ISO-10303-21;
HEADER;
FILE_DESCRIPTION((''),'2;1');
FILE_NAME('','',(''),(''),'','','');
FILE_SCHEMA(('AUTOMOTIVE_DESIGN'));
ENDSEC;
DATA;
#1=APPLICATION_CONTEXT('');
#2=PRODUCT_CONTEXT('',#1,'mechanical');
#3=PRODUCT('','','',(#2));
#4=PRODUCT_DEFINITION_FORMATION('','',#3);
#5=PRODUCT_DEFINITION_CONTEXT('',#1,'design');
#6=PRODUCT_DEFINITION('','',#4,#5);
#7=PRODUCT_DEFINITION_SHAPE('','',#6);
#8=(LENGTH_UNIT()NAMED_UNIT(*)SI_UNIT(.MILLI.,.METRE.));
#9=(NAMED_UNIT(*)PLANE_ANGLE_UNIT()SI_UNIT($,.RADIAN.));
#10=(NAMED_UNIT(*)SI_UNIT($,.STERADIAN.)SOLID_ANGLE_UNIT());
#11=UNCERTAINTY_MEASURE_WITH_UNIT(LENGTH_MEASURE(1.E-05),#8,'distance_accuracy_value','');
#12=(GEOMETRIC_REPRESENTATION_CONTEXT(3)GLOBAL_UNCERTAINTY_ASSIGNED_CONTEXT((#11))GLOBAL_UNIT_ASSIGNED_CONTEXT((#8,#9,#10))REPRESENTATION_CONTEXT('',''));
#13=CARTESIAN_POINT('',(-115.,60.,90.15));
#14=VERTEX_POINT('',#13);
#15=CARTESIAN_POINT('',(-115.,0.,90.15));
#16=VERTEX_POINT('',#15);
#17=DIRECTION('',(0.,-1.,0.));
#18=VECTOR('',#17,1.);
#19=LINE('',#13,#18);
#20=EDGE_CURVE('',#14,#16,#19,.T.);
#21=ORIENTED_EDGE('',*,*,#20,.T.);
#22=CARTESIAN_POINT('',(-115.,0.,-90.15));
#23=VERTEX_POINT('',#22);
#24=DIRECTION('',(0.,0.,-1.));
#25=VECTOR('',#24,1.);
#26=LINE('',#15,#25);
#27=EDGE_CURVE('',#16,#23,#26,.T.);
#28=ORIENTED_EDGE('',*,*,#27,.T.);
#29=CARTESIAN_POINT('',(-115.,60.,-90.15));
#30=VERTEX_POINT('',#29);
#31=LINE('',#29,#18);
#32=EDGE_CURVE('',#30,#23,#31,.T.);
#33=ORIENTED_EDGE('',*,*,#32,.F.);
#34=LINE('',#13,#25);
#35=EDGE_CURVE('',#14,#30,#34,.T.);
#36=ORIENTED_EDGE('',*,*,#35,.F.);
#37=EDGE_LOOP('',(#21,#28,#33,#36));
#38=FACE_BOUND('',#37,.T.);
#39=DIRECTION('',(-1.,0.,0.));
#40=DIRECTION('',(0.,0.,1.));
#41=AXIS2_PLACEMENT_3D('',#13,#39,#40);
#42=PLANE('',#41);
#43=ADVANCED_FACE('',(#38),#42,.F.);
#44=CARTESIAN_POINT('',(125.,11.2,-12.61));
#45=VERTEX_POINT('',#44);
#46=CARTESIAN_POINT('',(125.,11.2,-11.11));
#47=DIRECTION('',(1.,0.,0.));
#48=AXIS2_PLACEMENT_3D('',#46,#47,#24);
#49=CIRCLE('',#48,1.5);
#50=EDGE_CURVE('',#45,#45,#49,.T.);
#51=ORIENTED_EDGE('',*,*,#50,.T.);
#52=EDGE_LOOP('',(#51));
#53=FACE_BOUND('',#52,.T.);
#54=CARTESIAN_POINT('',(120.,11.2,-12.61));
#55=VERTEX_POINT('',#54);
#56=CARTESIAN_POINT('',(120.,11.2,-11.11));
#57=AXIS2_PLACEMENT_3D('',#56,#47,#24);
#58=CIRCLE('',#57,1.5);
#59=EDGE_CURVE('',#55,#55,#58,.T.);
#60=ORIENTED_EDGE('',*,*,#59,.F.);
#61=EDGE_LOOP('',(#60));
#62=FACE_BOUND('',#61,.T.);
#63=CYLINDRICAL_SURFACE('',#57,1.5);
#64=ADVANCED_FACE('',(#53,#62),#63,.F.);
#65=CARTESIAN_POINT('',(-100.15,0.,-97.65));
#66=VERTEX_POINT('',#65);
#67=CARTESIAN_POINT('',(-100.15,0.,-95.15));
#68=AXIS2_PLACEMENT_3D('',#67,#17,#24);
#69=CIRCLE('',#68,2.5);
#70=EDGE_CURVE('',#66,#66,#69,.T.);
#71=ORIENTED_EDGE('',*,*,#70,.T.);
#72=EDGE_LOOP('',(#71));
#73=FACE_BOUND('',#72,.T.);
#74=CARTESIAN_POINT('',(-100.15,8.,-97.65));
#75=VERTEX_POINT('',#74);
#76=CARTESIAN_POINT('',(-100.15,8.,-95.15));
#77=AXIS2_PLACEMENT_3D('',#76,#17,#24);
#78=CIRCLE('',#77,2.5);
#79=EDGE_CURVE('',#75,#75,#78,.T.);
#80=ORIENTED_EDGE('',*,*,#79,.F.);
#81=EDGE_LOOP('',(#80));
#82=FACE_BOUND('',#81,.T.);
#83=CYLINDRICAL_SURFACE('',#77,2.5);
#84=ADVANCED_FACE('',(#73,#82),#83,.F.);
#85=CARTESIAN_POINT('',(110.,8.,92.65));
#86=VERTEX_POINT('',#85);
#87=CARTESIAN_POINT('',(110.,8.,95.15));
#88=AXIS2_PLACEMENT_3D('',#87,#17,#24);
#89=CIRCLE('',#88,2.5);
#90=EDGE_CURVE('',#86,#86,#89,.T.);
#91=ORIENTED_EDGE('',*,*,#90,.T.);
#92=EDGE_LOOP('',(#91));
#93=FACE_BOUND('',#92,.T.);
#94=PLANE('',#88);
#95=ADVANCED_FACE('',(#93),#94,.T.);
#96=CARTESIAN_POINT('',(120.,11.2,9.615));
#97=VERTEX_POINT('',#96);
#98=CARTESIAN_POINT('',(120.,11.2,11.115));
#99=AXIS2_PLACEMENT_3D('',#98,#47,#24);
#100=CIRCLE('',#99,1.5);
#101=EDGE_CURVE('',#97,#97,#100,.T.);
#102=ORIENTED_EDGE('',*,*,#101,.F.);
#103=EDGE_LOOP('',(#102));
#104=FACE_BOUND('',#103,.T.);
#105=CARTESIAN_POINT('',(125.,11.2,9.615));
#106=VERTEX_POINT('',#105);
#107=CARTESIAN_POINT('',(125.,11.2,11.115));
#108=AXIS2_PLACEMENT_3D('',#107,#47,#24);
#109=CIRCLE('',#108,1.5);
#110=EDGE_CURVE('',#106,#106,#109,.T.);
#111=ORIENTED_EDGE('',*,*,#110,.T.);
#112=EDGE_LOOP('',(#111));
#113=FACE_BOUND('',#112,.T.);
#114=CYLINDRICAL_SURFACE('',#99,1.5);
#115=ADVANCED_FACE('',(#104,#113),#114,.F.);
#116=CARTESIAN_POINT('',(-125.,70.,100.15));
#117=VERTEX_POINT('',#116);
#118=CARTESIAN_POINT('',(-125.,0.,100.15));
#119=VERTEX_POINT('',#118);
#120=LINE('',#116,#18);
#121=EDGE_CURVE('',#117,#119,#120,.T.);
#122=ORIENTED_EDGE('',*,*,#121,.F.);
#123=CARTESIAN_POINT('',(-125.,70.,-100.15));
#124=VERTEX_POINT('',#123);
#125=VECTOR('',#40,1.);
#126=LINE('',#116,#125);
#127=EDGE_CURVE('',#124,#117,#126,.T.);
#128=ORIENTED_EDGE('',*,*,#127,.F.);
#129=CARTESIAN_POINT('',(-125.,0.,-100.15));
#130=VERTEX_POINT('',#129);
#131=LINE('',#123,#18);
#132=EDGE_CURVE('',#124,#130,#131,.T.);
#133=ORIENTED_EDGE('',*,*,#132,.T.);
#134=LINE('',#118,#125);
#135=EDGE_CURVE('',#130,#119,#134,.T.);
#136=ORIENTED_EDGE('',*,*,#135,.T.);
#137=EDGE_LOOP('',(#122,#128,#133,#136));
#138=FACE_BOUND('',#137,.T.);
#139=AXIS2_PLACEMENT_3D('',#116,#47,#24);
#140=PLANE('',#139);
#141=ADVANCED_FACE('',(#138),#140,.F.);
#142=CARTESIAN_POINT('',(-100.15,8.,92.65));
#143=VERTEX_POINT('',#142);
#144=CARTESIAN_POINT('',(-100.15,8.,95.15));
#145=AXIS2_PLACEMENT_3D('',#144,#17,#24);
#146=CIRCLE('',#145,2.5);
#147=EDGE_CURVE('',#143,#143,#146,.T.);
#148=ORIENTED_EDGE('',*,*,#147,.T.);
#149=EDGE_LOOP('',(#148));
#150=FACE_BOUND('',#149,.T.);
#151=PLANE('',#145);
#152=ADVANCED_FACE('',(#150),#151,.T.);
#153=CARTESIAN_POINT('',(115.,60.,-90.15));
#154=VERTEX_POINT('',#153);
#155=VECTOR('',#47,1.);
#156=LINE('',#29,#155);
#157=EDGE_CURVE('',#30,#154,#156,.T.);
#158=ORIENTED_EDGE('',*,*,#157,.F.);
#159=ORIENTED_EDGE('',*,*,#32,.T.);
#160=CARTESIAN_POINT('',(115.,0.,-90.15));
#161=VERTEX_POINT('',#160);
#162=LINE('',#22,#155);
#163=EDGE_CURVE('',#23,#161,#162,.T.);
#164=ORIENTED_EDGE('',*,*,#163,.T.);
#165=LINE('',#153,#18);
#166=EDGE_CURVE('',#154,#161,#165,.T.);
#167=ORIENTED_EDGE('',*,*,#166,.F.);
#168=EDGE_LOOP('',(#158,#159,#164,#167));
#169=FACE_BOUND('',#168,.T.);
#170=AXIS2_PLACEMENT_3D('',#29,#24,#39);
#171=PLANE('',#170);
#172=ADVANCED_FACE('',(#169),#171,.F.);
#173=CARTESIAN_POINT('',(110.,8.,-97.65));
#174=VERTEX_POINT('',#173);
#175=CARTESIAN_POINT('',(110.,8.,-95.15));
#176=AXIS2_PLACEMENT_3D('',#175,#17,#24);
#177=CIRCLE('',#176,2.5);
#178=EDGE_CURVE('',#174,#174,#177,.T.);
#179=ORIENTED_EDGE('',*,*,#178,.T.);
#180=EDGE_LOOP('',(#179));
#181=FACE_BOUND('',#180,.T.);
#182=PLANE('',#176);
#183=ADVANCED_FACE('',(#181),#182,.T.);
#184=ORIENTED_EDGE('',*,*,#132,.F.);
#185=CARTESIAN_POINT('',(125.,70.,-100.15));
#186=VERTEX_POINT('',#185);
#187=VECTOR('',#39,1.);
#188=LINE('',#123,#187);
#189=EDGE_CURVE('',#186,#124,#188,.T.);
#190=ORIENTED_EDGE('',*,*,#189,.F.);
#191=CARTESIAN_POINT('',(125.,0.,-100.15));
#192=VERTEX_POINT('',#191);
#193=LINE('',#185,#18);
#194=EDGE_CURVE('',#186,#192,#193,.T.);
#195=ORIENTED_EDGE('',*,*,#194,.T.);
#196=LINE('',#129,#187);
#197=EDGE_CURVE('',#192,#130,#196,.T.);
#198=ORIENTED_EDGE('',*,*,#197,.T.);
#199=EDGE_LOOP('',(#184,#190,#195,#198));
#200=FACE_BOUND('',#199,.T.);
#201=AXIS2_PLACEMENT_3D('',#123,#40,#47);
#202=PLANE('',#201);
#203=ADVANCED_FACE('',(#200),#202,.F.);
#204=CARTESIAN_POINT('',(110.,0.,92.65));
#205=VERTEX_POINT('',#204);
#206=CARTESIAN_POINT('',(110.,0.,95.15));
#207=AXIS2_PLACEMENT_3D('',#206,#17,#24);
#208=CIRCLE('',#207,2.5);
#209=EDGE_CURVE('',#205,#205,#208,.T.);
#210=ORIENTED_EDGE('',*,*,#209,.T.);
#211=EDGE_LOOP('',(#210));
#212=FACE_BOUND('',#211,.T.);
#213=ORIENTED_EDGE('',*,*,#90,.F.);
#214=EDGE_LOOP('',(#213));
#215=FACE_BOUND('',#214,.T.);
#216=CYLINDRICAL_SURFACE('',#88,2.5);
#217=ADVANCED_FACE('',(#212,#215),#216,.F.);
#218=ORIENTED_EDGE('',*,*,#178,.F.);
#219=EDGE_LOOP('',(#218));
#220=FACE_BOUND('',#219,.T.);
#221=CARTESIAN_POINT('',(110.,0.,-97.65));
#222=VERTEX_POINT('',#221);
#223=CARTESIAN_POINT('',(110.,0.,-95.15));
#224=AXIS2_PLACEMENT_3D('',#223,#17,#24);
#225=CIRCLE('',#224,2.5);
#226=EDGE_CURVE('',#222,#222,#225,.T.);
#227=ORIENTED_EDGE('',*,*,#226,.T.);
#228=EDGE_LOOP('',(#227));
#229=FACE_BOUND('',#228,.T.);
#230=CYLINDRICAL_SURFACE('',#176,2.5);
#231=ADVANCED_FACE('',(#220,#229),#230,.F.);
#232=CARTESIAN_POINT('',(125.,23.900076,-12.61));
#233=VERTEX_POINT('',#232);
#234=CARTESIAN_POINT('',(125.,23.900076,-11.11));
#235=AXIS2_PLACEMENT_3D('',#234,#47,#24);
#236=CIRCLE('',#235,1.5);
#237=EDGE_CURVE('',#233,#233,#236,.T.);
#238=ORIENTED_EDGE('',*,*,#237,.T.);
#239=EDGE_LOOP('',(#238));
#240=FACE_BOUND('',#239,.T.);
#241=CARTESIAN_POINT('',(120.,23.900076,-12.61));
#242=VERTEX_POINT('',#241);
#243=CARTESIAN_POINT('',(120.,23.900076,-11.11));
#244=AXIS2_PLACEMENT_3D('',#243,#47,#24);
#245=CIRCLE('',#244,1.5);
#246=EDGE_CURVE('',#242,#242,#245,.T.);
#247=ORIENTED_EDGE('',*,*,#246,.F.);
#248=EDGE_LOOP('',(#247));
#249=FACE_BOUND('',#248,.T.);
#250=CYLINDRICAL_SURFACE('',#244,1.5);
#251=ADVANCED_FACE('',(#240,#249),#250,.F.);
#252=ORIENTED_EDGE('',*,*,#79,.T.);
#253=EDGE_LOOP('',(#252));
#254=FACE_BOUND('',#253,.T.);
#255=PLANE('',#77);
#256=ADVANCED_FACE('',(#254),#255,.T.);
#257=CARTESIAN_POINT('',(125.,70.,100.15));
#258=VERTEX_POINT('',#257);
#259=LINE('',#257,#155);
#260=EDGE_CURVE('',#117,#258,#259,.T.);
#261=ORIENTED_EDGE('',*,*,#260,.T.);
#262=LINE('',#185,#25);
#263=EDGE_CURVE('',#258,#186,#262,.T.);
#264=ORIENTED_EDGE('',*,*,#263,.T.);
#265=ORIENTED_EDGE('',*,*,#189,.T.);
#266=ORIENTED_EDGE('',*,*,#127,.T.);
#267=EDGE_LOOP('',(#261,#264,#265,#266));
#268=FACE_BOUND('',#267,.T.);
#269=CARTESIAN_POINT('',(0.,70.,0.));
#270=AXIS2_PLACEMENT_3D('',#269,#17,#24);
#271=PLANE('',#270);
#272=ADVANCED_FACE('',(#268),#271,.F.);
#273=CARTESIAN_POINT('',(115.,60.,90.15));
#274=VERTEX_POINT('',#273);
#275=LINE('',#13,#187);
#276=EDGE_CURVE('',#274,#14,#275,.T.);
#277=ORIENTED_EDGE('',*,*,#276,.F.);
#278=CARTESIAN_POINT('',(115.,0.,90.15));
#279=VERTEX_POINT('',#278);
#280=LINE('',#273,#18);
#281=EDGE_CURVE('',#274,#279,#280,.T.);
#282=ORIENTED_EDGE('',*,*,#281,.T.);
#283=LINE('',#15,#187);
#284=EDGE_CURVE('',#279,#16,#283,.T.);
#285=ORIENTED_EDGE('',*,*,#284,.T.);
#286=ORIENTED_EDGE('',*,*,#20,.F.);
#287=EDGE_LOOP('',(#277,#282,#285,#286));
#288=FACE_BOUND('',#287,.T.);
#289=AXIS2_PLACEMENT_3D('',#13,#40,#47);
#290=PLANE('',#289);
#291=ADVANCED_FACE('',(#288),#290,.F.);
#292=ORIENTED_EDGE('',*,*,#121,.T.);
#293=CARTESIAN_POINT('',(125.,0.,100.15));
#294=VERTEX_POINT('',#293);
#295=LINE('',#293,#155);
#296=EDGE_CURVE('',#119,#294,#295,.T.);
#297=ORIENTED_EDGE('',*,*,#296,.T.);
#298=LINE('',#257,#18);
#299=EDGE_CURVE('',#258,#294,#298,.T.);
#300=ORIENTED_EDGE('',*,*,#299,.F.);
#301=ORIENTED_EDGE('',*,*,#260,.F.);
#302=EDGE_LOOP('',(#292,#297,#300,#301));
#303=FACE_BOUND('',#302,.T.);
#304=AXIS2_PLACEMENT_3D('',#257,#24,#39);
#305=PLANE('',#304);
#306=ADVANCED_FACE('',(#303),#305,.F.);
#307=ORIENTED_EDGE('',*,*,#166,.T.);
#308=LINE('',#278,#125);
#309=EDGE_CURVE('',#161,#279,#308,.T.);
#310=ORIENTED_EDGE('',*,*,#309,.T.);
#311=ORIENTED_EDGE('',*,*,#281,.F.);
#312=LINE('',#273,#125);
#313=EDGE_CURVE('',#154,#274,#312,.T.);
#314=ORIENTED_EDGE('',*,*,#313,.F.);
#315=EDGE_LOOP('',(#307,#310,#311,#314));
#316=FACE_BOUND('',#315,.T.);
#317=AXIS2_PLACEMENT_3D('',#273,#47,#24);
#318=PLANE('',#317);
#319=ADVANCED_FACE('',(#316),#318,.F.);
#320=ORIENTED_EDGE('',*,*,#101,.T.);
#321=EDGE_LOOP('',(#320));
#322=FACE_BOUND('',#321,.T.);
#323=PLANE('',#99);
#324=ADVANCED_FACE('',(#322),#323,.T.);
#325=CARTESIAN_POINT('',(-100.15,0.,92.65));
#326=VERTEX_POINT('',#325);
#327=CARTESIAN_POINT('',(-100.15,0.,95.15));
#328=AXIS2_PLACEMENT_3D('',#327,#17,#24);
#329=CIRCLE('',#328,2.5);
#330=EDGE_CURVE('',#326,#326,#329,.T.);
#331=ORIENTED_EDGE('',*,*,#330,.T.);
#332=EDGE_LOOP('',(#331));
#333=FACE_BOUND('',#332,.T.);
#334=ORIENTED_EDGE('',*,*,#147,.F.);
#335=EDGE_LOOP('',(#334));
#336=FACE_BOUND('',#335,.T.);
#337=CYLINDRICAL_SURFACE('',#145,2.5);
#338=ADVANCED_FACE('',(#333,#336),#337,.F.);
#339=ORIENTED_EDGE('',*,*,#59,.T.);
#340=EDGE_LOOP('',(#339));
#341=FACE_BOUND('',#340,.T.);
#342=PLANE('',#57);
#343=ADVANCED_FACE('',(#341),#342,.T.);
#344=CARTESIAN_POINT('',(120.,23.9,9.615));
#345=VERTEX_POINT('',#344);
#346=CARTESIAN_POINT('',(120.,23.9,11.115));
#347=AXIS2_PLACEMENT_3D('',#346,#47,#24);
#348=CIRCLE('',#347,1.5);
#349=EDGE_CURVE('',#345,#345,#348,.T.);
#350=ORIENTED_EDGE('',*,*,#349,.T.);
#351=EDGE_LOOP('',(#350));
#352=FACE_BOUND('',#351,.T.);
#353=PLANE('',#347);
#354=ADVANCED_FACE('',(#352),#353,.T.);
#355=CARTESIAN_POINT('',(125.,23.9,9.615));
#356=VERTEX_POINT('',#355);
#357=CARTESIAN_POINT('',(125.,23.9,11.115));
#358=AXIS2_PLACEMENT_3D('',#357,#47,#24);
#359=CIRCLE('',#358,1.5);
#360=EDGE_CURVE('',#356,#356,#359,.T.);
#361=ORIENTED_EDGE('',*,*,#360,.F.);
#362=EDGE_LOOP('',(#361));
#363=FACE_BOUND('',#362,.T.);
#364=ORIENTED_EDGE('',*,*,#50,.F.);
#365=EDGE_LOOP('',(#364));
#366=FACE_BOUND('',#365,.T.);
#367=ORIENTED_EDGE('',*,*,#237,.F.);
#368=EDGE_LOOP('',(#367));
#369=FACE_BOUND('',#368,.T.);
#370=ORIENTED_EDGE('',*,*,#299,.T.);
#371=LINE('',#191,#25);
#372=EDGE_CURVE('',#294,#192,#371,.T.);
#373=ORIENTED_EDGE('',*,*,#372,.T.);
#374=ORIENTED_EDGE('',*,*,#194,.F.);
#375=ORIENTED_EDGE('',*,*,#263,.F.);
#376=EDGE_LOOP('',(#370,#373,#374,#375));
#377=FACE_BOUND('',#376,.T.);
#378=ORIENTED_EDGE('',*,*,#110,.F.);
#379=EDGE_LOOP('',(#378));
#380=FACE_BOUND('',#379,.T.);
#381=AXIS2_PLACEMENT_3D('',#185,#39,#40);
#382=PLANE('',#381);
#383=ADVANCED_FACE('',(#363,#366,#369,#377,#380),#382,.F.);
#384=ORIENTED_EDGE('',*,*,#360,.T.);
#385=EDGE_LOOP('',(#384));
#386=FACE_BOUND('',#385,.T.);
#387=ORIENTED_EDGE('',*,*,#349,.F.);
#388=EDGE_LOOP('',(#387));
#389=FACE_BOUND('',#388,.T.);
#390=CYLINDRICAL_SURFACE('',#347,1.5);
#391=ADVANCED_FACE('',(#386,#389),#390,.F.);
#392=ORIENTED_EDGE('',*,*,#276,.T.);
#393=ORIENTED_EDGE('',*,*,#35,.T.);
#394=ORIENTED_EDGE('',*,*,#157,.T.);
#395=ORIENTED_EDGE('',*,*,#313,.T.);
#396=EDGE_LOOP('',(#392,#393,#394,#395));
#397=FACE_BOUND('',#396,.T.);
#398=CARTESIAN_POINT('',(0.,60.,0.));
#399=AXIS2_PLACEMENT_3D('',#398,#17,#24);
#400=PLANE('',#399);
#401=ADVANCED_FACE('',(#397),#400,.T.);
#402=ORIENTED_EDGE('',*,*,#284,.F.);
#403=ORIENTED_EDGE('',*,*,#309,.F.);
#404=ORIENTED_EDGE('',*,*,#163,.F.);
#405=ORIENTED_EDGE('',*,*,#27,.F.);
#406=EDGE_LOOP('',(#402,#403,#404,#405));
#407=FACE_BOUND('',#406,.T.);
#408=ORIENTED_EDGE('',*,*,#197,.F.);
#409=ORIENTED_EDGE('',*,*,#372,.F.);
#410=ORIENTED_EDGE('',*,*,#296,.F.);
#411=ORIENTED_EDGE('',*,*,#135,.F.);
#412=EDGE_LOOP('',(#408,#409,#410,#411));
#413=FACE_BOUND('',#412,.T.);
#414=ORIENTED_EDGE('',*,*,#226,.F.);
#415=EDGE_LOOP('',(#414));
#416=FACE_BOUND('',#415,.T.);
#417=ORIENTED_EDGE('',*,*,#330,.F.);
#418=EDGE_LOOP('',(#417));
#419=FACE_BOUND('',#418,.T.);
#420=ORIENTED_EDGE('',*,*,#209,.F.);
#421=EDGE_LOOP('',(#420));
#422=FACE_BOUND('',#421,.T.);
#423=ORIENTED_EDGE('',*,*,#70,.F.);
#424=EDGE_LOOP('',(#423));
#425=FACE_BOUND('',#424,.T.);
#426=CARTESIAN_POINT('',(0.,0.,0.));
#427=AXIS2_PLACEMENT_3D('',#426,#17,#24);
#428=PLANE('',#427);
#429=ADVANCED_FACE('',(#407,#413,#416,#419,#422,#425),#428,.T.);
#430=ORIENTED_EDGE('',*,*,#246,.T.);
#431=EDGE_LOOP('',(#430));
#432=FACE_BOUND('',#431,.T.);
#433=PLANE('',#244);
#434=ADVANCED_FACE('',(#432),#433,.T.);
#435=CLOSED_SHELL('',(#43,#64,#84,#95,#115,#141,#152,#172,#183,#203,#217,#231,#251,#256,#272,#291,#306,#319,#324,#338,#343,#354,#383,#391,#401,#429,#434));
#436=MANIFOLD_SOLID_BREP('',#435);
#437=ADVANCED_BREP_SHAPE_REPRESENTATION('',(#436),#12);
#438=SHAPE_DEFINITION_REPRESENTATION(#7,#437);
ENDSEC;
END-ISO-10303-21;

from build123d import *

# Parameters (mm, degrees)
SKETCH1_W           = 250
SKETCH1_H           = 200.3
BOSS_EXTRUDE1_DEPTH = 70
SKETCH2_W           = 230
SKETCH2_H           = 180.3
CUT_EXTRUDE1_DEPTH  = 60
SKETCH3_R           = 1.5
CUT_EXTRUDE2_DEPTH  = 5
SKETCH4_R           = 2.5
CUT_EXTRUDE3_DEPTH  = 8


with BuildPart() as part:
    # Sketch1 → Boss-Extrude1 (new body)
    with BuildSketch(Plane(origin=(0, 0, 0), x_dir=(1, 0, 0), z_dir=(0, 1, 0))):
        Rectangle(SKETCH1_W, SKETCH1_H)
    extrude(amount=BOSS_EXTRUDE1_DEPTH)

    # Sketch2 → Cut-Extrude1 (cut)
    with BuildSketch(Plane.XZ):
        Rectangle(SKETCH2_W, SKETCH2_H)
    extrude(amount=-CUT_EXTRUDE1_DEPTH, mode=Mode.SUBTRACT)

    # Sketch3 → Cut-Extrude2 (cut)
    with BuildSketch(Plane(origin=(125, 0, 0), x_dir=(0, 0, -1), z_dir=(1, 0, 0))):
        with Locations((-11.115, 23.9)):
            Circle(SKETCH3_R)
        with Locations((11.11, 23.900076156)):
            Circle(SKETCH3_R)
        with Locations((-11.115, 11.2)):
            Circle(SKETCH3_R)
        with Locations((11.11, 11.2)):
            Circle(SKETCH3_R)
    extrude(amount=-CUT_EXTRUDE2_DEPTH, mode=Mode.SUBTRACT)

    # Sketch4 → Cut-Extrude3 (cut)
    with BuildSketch(Plane.XZ):
        with Locations((-100.15, 95.15)):
            Circle(SKETCH4_R)
        with Locations((-100.15, -95.15)):
            Circle(SKETCH4_R)
        with Locations((110, -95.15)):
            Circle(SKETCH4_R)
        with Locations((110, 95.15)):
            Circle(SKETCH4_R)
    extrude(amount=-CUT_EXTRUDE3_DEPTH, mode=Mode.SUBTRACT)


solid = part.part
